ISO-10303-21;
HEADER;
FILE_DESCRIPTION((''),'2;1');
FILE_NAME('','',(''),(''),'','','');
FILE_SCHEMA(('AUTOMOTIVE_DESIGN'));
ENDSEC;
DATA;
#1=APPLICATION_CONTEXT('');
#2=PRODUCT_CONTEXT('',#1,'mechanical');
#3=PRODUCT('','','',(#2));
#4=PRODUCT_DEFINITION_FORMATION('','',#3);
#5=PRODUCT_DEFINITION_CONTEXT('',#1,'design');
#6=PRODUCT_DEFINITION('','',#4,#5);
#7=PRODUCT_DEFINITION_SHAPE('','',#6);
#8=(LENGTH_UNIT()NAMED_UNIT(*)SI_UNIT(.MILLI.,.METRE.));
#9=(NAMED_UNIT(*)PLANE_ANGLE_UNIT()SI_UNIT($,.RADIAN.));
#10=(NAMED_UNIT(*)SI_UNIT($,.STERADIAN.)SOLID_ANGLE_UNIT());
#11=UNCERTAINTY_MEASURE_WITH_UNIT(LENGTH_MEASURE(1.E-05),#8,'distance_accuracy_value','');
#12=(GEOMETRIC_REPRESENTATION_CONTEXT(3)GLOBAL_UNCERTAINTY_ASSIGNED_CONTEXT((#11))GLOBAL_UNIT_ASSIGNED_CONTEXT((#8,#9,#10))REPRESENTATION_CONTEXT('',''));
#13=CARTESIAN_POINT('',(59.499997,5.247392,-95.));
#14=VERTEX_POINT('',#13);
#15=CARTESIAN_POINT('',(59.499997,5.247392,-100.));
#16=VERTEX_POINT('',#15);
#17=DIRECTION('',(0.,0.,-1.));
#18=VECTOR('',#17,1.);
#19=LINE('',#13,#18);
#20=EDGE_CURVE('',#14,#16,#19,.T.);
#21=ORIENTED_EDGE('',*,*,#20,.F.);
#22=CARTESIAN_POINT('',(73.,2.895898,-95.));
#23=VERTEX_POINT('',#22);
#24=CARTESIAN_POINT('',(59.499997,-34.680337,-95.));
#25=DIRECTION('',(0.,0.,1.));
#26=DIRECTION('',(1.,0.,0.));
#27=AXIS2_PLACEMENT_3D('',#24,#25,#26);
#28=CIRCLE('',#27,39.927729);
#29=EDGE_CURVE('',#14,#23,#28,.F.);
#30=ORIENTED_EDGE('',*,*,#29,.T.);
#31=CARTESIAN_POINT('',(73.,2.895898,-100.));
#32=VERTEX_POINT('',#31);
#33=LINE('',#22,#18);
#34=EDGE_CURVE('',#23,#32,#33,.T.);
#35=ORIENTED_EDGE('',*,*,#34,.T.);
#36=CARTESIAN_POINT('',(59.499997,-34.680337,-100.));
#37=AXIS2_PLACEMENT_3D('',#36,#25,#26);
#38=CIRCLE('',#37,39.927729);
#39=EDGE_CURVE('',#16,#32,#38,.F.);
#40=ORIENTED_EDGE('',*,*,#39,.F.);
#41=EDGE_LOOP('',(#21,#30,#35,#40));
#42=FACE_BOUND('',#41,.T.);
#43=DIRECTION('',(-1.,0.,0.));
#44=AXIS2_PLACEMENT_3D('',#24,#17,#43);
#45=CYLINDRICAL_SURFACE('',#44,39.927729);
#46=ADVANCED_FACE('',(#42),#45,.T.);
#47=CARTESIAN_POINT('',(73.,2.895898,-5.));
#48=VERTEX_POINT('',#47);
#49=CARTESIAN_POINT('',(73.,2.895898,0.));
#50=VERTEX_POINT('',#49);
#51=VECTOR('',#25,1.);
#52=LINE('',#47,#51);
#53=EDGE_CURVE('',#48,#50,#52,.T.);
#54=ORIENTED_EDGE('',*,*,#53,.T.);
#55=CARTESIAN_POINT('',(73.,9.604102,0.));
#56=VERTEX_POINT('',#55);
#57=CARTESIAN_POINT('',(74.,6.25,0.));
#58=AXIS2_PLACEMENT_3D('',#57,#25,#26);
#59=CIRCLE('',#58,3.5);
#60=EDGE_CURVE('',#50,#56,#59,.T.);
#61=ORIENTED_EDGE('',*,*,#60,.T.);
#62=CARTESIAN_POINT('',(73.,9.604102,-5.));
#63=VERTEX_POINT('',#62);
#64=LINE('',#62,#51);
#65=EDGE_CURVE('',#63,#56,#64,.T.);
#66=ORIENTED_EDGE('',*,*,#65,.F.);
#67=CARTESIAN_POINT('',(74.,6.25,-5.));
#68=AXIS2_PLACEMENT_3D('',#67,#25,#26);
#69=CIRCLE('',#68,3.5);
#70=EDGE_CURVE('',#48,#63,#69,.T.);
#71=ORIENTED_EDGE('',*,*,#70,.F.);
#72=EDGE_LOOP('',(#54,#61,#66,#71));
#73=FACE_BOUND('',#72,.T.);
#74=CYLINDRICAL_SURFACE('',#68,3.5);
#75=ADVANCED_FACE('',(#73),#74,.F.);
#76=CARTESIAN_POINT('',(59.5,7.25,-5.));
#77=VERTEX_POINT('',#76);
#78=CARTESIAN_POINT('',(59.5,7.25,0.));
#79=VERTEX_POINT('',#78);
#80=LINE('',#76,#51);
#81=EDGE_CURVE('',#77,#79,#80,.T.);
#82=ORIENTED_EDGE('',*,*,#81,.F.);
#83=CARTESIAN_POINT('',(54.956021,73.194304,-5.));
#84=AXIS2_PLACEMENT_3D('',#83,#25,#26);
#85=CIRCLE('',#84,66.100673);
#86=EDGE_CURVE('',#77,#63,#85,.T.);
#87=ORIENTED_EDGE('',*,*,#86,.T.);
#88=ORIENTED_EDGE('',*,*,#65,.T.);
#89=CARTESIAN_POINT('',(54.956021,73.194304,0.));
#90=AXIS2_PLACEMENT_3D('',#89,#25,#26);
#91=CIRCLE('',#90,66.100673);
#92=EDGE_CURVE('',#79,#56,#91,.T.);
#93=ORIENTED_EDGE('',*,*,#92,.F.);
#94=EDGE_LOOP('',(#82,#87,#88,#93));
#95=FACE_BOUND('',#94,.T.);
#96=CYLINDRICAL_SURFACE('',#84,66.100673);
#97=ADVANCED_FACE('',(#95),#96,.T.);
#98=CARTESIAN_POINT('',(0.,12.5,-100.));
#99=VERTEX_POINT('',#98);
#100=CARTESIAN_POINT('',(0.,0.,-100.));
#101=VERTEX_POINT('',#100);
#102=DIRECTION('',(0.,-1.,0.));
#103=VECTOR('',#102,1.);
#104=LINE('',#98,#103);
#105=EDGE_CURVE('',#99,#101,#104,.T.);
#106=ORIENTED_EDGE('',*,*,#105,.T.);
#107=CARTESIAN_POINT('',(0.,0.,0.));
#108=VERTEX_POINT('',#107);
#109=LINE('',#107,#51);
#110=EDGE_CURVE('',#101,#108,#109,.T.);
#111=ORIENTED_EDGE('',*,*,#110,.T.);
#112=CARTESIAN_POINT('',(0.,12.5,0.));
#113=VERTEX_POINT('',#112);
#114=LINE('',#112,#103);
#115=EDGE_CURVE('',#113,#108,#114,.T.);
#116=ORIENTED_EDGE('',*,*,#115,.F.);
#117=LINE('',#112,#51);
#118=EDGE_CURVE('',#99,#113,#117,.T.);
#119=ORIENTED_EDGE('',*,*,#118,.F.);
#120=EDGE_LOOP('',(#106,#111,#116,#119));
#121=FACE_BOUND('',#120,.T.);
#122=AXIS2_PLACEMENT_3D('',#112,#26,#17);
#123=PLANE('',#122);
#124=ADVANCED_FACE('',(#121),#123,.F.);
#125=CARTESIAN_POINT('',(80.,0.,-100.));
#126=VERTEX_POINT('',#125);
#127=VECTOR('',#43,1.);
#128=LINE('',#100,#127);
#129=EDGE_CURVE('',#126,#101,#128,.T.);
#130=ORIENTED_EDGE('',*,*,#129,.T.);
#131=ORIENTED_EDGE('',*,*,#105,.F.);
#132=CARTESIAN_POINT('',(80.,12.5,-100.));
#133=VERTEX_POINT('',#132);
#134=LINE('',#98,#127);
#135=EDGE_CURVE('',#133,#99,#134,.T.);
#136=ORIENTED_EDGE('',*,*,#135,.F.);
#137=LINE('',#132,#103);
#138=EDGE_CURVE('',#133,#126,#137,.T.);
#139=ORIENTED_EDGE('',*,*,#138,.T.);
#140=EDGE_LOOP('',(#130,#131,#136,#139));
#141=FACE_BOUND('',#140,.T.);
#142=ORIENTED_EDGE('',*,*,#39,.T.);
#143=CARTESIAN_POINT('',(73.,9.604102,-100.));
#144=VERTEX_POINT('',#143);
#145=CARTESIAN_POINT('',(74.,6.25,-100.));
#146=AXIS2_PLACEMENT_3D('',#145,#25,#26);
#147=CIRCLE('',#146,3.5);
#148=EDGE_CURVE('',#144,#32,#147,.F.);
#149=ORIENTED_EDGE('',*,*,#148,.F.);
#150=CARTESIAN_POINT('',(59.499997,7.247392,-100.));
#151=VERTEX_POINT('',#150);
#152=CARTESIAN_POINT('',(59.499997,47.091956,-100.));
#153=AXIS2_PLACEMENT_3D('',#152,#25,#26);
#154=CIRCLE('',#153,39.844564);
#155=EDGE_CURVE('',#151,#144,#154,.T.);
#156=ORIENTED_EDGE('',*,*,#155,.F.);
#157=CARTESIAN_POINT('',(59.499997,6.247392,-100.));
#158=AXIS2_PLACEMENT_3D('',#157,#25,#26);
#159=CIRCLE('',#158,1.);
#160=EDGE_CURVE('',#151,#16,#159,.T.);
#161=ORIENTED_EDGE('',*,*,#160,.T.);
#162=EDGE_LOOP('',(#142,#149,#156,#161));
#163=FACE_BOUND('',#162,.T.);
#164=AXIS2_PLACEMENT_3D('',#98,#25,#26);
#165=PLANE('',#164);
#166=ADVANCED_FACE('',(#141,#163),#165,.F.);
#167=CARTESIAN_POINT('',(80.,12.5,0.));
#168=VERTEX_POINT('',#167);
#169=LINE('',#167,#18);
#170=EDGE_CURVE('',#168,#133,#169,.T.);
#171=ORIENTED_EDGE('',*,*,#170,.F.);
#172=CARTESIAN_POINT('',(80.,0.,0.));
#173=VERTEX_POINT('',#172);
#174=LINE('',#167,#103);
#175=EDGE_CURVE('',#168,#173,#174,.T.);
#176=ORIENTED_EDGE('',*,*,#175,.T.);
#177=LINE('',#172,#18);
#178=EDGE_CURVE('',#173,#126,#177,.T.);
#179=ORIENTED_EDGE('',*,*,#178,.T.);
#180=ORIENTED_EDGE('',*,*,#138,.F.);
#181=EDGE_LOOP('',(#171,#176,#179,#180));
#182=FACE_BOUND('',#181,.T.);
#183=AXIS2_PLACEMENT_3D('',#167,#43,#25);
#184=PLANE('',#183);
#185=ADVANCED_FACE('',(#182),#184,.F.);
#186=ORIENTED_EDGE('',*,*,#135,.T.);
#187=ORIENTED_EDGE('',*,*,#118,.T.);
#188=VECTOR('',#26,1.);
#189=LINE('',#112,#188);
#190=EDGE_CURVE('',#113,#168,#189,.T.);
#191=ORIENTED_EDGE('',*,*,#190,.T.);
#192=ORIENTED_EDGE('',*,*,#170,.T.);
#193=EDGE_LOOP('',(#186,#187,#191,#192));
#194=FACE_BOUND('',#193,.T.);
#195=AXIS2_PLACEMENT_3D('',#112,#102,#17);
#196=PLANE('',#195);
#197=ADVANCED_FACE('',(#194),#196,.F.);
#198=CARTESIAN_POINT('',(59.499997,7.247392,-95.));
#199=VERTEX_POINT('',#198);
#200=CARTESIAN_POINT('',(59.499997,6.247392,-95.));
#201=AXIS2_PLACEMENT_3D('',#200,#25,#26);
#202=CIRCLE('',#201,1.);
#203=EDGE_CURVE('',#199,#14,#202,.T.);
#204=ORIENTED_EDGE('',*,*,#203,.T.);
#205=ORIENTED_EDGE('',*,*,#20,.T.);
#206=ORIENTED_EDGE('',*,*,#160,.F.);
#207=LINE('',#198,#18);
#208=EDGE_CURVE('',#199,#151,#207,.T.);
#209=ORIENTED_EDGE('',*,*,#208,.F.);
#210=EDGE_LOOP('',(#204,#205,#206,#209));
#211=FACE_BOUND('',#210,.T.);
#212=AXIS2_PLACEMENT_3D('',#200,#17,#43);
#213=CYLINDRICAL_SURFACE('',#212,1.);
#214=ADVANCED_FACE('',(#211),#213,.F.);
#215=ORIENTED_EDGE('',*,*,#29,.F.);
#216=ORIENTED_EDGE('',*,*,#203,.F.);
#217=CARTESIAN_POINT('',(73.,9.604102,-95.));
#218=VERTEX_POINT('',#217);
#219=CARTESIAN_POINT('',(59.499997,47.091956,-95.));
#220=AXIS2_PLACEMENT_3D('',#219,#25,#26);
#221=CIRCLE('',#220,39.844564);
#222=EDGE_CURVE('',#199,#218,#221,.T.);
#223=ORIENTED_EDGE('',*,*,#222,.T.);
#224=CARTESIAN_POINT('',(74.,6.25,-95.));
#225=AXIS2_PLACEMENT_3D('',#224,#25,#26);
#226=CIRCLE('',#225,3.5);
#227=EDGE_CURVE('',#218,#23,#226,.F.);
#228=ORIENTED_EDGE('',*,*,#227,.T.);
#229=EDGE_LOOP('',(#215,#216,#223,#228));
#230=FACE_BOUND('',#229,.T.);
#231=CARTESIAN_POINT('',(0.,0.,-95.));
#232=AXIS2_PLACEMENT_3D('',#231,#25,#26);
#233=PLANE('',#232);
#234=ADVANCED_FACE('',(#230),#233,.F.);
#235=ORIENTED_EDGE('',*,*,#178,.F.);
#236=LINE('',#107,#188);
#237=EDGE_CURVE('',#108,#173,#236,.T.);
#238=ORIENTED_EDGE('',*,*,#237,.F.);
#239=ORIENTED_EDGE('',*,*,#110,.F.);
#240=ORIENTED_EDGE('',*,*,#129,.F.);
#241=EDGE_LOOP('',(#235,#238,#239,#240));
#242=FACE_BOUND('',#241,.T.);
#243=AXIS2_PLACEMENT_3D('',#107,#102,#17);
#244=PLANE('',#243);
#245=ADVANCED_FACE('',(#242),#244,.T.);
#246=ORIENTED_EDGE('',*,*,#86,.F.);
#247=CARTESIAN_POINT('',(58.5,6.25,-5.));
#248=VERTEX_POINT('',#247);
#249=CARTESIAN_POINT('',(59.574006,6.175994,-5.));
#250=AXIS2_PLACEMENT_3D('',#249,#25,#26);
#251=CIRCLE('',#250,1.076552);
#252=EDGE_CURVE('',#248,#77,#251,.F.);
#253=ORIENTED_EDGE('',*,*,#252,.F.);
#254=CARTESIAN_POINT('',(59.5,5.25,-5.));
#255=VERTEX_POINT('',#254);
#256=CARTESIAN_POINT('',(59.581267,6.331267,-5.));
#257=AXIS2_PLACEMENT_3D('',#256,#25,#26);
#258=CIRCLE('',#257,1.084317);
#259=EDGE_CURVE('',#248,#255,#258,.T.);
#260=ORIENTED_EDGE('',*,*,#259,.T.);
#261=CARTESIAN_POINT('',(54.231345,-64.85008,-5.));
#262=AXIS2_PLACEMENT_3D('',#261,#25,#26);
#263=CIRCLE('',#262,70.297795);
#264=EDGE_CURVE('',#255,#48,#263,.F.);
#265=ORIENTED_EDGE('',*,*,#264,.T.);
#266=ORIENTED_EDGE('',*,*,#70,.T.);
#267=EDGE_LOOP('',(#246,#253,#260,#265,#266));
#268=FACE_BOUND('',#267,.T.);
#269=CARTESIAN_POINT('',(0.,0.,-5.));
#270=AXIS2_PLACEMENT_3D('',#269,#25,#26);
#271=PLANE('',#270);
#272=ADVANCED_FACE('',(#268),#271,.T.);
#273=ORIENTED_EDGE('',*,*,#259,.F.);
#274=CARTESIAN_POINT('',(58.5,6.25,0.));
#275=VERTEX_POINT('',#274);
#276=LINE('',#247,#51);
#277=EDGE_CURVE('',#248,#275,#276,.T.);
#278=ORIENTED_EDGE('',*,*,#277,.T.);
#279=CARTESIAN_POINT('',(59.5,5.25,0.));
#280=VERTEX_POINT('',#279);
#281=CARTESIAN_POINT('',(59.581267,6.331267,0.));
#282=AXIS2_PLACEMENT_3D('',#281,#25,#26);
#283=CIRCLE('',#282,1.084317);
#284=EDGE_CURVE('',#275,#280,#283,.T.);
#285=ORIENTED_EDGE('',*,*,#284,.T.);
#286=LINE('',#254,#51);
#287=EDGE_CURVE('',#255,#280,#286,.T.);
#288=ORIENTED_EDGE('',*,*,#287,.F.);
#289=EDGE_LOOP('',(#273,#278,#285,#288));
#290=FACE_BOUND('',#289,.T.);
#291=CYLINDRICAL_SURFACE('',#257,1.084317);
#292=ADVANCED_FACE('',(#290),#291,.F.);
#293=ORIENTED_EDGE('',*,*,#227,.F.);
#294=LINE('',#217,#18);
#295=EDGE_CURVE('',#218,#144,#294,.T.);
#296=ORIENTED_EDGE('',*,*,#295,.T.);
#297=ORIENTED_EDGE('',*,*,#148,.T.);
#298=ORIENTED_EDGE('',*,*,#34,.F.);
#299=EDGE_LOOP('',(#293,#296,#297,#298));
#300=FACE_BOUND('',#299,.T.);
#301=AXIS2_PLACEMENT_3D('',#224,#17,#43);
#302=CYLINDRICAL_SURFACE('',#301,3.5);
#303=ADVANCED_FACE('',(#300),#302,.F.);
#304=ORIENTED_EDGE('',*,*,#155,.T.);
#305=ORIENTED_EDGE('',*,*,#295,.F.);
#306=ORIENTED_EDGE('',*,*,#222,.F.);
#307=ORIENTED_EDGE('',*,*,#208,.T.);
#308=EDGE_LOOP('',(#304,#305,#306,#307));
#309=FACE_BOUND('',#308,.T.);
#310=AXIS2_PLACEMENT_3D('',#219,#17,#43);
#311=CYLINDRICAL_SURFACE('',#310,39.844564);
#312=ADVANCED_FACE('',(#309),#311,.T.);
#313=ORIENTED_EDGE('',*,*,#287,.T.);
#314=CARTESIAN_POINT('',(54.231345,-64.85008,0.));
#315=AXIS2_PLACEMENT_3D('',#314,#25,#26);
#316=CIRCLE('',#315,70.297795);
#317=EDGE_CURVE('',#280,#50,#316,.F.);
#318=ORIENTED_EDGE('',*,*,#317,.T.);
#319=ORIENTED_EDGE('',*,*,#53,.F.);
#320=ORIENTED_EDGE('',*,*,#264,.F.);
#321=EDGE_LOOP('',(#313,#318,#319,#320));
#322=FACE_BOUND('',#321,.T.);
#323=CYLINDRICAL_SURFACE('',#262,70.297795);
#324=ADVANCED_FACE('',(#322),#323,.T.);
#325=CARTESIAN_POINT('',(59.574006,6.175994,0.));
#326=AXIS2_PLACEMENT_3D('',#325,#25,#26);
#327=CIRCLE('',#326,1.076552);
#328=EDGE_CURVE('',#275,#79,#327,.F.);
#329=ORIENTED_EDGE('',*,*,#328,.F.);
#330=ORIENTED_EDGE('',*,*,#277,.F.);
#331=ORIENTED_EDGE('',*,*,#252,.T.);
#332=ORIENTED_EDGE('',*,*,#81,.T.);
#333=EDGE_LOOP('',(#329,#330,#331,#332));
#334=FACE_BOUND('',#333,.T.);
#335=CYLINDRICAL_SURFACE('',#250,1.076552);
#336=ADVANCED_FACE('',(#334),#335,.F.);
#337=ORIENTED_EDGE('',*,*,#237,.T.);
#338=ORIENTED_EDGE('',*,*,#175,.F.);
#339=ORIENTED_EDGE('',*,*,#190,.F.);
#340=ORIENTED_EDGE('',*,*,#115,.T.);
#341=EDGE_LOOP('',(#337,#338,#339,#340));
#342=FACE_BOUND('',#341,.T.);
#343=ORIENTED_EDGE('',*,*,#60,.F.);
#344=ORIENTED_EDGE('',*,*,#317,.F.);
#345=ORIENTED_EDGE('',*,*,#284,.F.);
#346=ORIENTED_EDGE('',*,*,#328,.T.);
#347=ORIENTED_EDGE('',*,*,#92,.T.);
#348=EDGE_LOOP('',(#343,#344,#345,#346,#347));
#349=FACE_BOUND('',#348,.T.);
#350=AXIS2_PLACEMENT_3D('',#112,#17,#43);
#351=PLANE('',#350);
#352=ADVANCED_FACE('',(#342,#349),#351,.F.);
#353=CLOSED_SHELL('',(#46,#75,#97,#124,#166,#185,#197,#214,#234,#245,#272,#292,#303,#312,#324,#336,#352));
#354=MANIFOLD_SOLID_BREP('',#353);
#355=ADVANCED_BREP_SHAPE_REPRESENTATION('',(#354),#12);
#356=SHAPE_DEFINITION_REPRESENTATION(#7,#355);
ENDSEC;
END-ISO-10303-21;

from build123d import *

# Parameters (mm, degrees)
SKETCH1_W           = 80
SKETCH1_H           = 100
BOSS_EXTRUDE1_DEPTH = 12.5
CUT_EXTRUDE1_DEPTH  = 5
CUT_EXTRUDE4_START  = 5
CUT_EXTRUDE4_DEPTH  = 5


with BuildPart() as part:
    # Sketch1 → Boss-Extrude1 (new body)
    with BuildSketch(Plane(origin=(0, 0, 0), x_dir=(1, 0, 0), z_dir=(0, 1, 0))):
        with Locations((40, 50)):
            Rectangle(SKETCH1_W, SKETCH1_H)
    extrude(amount=BOSS_EXTRUDE1_DEPTH)

    # Sketch2 → Cut-Extrude1 (cut)
    with BuildSketch(Plane.XY):
        with BuildLine():
            ThreePointArc((73, 2.895898034), (76.091650066, 3.44375696), (77.5, 6.25))
            Line((77.5, 6.25), (74, 6.25))
            Line((74, 6.25), (73, 6.25))
            Line((73, 6.25), (73, 2.895898034))
        make_face()
        with BuildLine():
            Line((74, 6.25), (77.5, 6.25))
            ThreePointArc((77.5, 6.25), (76.091650066, 9.05624304), (73, 9.604101966))
            Line((73, 9.604101966), (73, 6.25))
            Line((73, 6.25), (74, 6.25))
        make_face()
        with BuildLine():
            Line((73, 6.25), (73, 9.604101966))
            ThreePointArc((73, 9.604101966), (71.19375696, 8.341650066), (70.5, 6.25))
            Line((70.5, 6.25), (73, 6.25))
        make_face()
        with BuildLine():
            ThreePointArc((70.5, 6.25), (71.19375696, 4.158349934), (73, 2.895898034))
            Line((73, 2.895898034), (73, 6.25))
            Line((73, 6.25), (70.5, 6.25))
        make_face()
        with BuildLine():
            ThreePointArc((59.5, 5.25), (66.307499895, 4.402691993), (73, 2.895898034))
            ThreePointArc((73, 2.895898034), (71.19375696, 4.158349934), (70.5, 6.25))
            Line((70.5, 6.25), (59.5, 6.25))
            Line((59.5, 6.25), (58.5, 6.25))
            ThreePointArc((58.5, 6.25), (58.814539324, 5.564539324), (59.5, 5.25))
        make_face()
        with BuildLine():
            ThreePointArc((70.5, 6.25), (71.19375696, 8.341650066), (73, 9.604101966))
            ThreePointArc((73, 9.604101966), (66.311170081, 8.076260701), (59.5, 7.25))
            ThreePointArc((59.5, 7.25), (58.812768212, 6.937231788), (58.5, 6.25))
            Line((58.5, 6.25), (59.5, 6.25))
            Line((59.5, 6.25), (70.5, 6.25))
        make_face()
    extrude(amount=-CUT_EXTRUDE1_DEPTH, mode=Mode.SUBTRACT)

    # Sketch6 → Cut-Extrude4 (cut)
    with BuildSketch(Plane.XY.offset(-100).offset(CUT_EXTRUDE4_START)):
        with BuildLine():
            ThreePointArc((73, 2.895898034), (77.5, 6.25), (73, 9.604101966))
            ThreePointArc((73, 9.604101966), (66.352079757, 7.840991059), (59.499996599, 7.247391846))
            ThreePointArc((59.499996599, 7.247391846), (58.499996599, 6.247391846), (59.499996599, 5.247391846))
            ThreePointArc((59.499996599, 5.247391846), (66.351631714, 4.655125717), (73, 2.895898034))
        make_face()
    extrude(amount=-CUT_EXTRUDE4_DEPTH, mode=Mode.SUBTRACT)


solid = part.part
